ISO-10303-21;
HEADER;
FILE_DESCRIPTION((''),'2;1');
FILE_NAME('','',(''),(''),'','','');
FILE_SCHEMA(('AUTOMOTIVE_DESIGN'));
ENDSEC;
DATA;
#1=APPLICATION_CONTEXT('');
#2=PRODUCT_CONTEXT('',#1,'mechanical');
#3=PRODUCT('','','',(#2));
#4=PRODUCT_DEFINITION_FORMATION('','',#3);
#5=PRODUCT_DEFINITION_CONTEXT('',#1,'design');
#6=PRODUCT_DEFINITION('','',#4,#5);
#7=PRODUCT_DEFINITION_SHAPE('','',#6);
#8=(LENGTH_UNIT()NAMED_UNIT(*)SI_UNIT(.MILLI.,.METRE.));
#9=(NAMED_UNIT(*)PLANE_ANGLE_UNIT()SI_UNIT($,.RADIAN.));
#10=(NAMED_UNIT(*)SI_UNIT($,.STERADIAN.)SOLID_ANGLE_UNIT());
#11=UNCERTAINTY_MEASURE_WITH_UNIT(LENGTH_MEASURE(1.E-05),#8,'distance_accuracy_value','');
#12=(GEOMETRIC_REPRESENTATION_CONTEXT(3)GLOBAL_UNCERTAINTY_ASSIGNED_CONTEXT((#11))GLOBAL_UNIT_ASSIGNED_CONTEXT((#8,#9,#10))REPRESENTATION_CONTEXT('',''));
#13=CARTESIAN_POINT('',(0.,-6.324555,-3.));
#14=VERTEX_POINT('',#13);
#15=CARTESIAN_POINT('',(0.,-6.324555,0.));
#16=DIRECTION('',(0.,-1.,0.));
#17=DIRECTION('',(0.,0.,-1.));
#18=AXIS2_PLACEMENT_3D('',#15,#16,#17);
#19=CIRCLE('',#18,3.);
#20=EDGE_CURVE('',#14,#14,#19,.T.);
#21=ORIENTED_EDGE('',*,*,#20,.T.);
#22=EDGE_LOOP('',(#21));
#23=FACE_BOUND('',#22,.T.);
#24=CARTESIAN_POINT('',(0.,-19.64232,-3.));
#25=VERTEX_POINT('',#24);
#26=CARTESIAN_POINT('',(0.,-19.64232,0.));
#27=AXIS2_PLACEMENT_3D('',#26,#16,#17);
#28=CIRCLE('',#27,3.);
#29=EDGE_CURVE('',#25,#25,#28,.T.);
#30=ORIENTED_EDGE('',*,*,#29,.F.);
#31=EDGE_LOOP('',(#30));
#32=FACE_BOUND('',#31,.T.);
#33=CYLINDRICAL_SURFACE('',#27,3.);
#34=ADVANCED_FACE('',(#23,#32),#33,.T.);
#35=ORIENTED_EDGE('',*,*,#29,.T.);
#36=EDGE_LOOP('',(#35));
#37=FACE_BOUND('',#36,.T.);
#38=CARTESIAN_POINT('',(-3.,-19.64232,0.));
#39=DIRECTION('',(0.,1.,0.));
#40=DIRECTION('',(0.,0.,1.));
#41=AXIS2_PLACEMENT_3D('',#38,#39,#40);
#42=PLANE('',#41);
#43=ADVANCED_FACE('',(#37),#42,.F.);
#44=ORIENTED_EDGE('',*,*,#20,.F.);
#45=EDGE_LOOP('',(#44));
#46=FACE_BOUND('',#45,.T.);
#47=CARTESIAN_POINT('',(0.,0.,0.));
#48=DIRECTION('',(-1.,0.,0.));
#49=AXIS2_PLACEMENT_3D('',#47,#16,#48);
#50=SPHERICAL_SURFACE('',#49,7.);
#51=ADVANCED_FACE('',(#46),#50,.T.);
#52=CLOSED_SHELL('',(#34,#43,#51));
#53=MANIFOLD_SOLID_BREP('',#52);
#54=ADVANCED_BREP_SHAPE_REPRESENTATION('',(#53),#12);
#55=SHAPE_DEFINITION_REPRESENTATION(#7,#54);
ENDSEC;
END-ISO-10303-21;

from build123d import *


with BuildPart() as part:
    # Szkic1 → Obrót1 (revolve)
    with BuildSketch(Plane.XY):
        with BuildLine():
            Line((-3, -6.32455532), (-3, -19.642320018))
            Line((-3, -19.642320018), (0, -19.642320018))
            Line((0, -19.642320018), (0, 7))
            ThreePointArc((0, 7), (-6.829051444, 1.537548822), (-3, -6.32455532))
        make_face()
    revolve(axis=Axis((0, -19.642320018, 0), (0, 1, 0)))


solid = part.part
